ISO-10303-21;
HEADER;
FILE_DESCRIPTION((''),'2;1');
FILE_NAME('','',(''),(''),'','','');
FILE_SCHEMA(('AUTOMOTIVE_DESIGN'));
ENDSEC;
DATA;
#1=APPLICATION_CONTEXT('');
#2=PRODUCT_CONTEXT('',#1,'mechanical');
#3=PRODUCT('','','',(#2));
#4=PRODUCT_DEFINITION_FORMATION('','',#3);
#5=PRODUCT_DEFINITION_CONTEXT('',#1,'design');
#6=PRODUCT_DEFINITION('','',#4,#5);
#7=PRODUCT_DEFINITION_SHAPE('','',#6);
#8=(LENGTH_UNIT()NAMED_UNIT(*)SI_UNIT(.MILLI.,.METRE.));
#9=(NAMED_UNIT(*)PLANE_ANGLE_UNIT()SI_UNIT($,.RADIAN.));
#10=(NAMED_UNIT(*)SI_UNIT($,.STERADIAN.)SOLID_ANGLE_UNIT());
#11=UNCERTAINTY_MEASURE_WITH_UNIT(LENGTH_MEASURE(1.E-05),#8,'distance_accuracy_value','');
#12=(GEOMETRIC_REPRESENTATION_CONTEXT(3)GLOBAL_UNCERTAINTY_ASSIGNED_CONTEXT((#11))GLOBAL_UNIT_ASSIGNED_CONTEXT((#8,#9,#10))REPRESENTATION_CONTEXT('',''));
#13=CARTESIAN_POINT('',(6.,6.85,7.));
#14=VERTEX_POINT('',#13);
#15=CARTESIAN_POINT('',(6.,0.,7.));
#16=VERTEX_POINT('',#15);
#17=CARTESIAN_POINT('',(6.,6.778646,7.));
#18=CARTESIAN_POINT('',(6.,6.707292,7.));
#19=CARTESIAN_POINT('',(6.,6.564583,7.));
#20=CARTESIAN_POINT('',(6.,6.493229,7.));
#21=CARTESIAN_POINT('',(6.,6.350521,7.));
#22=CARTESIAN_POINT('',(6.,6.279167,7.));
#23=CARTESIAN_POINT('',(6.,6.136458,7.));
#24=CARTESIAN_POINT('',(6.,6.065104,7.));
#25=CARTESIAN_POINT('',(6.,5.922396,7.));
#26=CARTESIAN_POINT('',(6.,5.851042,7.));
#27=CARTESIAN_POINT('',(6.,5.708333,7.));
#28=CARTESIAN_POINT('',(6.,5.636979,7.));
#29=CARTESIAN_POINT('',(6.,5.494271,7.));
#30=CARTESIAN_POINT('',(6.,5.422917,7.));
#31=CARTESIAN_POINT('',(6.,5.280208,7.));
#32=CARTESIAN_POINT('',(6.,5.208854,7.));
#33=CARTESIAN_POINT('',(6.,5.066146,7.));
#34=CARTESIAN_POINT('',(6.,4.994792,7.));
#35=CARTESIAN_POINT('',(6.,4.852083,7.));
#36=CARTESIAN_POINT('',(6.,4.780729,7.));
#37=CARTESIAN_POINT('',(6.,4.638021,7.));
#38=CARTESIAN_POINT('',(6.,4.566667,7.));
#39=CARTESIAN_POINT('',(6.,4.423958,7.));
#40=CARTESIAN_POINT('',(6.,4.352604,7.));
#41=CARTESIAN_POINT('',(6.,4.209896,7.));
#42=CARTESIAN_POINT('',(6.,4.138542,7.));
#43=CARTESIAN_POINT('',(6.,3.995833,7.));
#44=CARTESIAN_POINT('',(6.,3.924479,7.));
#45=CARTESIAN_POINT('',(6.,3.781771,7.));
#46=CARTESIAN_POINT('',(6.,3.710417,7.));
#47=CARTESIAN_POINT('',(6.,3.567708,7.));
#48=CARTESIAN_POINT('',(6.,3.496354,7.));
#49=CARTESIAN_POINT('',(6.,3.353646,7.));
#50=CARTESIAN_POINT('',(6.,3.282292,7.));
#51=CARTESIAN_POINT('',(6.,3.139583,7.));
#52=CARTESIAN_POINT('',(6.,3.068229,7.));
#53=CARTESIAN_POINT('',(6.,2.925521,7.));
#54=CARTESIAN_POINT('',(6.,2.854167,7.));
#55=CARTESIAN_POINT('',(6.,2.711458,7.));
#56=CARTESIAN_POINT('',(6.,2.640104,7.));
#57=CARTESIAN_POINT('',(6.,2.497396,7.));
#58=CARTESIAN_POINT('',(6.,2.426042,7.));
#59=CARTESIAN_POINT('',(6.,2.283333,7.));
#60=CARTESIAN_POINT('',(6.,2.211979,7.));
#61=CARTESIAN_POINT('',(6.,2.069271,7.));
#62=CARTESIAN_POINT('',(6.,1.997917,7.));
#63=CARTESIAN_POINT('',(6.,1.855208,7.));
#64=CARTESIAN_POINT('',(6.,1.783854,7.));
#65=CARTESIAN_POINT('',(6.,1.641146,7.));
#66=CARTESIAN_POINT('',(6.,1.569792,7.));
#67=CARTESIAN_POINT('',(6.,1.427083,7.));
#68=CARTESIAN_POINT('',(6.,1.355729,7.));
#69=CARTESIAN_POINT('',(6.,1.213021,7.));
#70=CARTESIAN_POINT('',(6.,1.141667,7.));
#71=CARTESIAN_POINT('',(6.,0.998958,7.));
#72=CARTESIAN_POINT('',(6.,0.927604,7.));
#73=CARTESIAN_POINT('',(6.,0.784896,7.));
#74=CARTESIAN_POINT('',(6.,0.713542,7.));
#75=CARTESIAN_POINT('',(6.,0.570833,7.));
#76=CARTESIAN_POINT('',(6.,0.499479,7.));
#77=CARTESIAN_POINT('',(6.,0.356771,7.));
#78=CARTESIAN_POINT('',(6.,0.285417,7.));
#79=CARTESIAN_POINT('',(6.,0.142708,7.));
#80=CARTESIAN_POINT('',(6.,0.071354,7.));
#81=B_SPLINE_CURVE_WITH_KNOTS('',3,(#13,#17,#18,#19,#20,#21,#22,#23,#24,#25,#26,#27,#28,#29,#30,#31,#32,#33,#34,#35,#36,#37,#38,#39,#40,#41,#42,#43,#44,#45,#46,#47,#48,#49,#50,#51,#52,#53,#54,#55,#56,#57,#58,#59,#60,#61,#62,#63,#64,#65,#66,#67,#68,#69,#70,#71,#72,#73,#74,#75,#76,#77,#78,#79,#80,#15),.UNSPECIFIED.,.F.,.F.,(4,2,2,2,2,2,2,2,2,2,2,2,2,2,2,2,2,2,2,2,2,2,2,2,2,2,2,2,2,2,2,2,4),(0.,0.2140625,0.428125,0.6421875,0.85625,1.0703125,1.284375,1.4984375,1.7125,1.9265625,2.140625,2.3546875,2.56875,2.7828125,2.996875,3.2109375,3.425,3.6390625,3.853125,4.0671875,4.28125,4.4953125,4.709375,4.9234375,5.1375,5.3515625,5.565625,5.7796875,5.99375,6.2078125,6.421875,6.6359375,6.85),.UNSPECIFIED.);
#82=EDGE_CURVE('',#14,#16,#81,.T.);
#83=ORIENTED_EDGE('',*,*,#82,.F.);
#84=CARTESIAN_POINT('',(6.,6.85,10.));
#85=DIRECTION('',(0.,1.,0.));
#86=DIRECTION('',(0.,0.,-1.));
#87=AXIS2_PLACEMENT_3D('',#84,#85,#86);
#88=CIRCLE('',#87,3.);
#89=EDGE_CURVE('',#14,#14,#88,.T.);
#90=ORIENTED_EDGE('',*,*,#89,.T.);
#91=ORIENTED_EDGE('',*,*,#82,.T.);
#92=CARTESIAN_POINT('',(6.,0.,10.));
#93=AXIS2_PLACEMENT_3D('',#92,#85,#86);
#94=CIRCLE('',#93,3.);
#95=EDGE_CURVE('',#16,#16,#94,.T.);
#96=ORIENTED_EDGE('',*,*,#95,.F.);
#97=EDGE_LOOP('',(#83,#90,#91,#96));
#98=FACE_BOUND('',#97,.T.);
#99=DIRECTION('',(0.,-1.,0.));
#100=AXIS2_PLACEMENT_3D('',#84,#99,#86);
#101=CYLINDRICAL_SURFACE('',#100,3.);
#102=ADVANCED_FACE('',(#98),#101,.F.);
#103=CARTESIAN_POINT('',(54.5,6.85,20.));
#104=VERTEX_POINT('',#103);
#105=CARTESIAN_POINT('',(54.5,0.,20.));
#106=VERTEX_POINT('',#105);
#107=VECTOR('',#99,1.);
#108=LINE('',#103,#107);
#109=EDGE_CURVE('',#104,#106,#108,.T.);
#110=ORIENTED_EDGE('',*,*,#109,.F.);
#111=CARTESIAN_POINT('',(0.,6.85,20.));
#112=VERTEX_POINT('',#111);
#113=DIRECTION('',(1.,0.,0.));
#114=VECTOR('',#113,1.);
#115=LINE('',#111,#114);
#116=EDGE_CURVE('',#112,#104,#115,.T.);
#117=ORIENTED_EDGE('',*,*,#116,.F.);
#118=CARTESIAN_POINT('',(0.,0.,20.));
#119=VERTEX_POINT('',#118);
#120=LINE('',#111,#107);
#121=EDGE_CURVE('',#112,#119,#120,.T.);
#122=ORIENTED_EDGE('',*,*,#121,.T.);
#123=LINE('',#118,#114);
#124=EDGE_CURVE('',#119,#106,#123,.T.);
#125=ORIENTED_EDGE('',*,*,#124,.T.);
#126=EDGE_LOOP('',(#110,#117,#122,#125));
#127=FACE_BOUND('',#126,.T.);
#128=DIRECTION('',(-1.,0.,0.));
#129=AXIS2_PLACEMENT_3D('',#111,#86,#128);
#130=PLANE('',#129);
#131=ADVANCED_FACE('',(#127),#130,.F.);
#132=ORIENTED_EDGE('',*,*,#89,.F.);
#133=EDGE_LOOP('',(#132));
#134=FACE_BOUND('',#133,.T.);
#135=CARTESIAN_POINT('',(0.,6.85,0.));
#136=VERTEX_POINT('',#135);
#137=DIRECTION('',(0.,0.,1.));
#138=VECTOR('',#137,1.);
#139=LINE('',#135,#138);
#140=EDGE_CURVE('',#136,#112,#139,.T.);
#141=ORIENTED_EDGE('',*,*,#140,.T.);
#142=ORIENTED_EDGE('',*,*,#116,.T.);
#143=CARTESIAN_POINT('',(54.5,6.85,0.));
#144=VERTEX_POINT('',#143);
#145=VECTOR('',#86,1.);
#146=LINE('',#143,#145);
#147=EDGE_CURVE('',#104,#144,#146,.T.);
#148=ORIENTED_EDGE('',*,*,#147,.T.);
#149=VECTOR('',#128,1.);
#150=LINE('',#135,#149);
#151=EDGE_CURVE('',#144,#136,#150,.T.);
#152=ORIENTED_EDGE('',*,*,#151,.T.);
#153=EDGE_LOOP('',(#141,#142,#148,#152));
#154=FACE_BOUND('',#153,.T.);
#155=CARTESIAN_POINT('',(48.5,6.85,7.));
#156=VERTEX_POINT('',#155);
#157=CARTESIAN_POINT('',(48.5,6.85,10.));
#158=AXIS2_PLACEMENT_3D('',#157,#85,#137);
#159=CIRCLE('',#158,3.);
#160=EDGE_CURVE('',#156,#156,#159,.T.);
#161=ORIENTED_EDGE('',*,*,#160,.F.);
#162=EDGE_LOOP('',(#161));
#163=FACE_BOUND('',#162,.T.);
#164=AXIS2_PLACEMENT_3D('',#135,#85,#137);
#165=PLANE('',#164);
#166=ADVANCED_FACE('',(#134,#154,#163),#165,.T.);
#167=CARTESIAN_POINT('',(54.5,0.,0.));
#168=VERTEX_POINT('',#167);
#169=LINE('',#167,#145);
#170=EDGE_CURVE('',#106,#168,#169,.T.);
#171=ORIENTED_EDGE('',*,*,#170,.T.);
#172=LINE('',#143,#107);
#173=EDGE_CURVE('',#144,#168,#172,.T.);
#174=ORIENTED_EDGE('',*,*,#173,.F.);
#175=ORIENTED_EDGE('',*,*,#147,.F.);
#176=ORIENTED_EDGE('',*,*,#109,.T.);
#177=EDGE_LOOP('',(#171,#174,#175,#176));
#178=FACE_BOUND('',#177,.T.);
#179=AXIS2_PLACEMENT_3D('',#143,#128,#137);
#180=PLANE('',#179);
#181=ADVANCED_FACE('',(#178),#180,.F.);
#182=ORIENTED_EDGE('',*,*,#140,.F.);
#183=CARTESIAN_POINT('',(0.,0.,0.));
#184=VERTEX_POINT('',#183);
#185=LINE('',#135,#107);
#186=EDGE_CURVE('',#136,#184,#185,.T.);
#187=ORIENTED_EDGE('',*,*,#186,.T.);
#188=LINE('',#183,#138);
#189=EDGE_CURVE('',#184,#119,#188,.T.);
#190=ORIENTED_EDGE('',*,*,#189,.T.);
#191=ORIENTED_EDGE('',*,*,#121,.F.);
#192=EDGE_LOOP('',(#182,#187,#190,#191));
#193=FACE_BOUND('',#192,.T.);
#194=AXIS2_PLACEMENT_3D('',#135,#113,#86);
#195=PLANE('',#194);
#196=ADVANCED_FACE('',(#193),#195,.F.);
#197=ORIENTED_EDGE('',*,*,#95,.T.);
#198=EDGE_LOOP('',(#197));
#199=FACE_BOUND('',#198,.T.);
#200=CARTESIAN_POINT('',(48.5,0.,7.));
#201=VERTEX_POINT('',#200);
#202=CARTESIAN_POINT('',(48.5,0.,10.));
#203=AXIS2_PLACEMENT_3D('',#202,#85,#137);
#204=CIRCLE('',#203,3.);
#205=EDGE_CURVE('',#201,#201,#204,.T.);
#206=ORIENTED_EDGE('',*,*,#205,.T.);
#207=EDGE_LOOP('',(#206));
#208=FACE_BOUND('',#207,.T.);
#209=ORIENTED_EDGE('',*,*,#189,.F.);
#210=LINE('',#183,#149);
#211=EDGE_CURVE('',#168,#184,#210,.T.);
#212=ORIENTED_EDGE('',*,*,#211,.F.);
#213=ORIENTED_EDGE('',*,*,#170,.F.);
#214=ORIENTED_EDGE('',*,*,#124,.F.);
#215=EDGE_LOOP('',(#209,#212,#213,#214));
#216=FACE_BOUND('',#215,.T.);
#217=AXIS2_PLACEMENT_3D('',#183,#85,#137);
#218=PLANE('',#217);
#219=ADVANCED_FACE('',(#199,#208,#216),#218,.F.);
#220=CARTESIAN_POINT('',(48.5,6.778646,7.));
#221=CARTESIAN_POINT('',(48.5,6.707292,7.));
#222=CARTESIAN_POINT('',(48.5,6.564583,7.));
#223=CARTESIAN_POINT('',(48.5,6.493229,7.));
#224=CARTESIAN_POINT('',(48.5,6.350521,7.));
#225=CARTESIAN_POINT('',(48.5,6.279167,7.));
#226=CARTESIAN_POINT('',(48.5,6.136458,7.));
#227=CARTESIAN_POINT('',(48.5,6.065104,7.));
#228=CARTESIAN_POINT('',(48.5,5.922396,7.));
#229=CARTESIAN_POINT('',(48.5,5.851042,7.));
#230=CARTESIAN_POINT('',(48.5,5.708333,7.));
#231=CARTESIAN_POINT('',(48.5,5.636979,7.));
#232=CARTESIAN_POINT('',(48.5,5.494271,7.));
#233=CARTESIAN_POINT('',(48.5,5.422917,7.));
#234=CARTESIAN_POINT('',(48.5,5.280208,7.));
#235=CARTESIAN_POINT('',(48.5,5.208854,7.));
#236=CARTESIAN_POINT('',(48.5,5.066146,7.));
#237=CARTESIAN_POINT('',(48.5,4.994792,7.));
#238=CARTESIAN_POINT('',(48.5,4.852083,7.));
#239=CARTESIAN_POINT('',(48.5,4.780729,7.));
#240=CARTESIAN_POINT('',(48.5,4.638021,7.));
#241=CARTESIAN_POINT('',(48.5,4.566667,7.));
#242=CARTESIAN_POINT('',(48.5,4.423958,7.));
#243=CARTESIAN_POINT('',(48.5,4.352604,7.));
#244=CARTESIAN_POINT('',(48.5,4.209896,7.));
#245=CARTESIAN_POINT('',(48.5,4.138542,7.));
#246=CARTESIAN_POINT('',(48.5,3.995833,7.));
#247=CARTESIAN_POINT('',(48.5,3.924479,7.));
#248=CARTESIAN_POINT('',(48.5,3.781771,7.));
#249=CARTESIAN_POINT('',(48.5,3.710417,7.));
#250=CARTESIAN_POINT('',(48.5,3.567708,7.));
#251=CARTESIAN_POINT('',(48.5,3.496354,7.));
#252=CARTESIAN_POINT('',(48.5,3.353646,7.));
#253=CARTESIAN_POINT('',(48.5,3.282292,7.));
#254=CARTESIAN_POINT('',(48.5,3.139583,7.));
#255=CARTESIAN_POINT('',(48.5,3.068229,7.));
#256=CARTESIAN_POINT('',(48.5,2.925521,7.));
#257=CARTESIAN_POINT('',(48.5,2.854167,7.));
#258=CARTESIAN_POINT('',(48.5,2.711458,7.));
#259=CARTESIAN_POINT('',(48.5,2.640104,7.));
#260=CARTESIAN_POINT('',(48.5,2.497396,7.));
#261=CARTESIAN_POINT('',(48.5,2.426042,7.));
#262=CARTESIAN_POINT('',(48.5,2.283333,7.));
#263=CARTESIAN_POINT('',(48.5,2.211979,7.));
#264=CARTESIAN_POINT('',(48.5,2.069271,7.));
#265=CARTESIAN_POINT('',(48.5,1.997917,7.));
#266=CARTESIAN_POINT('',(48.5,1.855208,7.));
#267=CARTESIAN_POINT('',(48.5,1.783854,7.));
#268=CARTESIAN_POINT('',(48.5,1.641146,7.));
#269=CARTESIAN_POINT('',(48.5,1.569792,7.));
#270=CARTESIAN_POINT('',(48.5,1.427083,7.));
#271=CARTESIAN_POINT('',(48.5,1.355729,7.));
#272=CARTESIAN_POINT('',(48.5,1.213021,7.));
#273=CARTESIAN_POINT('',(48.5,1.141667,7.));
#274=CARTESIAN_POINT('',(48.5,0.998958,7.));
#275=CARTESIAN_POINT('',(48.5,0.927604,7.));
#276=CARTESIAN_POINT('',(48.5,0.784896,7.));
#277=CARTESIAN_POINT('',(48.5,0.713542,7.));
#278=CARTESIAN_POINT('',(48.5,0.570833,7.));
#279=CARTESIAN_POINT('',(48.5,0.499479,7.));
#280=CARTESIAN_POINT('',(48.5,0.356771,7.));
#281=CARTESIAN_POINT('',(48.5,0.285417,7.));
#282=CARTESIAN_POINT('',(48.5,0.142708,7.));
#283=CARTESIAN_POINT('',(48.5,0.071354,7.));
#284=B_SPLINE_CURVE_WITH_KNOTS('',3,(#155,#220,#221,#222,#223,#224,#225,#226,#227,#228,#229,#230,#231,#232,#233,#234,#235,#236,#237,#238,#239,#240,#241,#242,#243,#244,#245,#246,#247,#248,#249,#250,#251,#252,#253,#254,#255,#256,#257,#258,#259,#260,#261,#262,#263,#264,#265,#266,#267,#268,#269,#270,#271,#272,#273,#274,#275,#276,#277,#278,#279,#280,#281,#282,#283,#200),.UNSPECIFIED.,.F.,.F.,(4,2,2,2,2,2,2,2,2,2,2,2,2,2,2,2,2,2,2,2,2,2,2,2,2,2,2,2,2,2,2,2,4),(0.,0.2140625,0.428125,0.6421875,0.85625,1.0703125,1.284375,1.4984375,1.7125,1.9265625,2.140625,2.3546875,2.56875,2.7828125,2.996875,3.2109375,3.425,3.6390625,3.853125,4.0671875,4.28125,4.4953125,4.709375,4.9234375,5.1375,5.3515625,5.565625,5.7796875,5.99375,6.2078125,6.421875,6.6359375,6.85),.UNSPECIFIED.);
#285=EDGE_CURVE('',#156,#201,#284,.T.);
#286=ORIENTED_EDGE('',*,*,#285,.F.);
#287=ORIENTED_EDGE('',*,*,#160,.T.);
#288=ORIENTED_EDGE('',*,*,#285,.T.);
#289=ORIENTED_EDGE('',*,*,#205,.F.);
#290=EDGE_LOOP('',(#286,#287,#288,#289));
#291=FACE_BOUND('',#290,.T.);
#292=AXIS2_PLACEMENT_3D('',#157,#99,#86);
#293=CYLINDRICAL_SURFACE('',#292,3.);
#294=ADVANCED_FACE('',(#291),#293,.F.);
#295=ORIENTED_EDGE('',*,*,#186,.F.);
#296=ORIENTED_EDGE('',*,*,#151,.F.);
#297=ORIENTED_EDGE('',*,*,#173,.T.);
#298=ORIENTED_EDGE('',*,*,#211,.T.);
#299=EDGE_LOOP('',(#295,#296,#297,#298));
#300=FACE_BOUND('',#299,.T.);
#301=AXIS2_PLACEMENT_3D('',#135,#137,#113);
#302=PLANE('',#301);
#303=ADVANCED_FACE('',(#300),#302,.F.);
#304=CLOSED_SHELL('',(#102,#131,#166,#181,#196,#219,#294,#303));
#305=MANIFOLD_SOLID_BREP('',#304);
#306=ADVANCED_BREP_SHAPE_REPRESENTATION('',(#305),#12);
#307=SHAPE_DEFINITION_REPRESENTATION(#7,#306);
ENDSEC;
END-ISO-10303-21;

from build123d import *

# Parameters (mm, degrees)
SKETCH_1_W      = 54.5
SKETCH_1_H      = 20
SKETCH_1_R      = 3
EXTRUDE_1_DEPTH = 6.85


with BuildPart() as part:
    # 草图1 → 凸台-拉伸1 (new body)
    with BuildSketch(Plane(origin=(0, 0, 0), x_dir=(1, 0, 0), z_dir=(0, 1, 0))):
        with Locations((27.25, -10)):
            Rectangle(SKETCH_1_W, SKETCH_1_H)
        with Locations(Location((48.5, -10, 0), (0, 0, 90))):
            Circle(SKETCH_1_R, mode=Mode.SUBTRACT)
        with Locations(Location((6, -10, 0), (0, 0, 90))):
            Circle(SKETCH_1_R, mode=Mode.SUBTRACT)
    extrude(amount=EXTRUDE_1_DEPTH)


solid = part.part
